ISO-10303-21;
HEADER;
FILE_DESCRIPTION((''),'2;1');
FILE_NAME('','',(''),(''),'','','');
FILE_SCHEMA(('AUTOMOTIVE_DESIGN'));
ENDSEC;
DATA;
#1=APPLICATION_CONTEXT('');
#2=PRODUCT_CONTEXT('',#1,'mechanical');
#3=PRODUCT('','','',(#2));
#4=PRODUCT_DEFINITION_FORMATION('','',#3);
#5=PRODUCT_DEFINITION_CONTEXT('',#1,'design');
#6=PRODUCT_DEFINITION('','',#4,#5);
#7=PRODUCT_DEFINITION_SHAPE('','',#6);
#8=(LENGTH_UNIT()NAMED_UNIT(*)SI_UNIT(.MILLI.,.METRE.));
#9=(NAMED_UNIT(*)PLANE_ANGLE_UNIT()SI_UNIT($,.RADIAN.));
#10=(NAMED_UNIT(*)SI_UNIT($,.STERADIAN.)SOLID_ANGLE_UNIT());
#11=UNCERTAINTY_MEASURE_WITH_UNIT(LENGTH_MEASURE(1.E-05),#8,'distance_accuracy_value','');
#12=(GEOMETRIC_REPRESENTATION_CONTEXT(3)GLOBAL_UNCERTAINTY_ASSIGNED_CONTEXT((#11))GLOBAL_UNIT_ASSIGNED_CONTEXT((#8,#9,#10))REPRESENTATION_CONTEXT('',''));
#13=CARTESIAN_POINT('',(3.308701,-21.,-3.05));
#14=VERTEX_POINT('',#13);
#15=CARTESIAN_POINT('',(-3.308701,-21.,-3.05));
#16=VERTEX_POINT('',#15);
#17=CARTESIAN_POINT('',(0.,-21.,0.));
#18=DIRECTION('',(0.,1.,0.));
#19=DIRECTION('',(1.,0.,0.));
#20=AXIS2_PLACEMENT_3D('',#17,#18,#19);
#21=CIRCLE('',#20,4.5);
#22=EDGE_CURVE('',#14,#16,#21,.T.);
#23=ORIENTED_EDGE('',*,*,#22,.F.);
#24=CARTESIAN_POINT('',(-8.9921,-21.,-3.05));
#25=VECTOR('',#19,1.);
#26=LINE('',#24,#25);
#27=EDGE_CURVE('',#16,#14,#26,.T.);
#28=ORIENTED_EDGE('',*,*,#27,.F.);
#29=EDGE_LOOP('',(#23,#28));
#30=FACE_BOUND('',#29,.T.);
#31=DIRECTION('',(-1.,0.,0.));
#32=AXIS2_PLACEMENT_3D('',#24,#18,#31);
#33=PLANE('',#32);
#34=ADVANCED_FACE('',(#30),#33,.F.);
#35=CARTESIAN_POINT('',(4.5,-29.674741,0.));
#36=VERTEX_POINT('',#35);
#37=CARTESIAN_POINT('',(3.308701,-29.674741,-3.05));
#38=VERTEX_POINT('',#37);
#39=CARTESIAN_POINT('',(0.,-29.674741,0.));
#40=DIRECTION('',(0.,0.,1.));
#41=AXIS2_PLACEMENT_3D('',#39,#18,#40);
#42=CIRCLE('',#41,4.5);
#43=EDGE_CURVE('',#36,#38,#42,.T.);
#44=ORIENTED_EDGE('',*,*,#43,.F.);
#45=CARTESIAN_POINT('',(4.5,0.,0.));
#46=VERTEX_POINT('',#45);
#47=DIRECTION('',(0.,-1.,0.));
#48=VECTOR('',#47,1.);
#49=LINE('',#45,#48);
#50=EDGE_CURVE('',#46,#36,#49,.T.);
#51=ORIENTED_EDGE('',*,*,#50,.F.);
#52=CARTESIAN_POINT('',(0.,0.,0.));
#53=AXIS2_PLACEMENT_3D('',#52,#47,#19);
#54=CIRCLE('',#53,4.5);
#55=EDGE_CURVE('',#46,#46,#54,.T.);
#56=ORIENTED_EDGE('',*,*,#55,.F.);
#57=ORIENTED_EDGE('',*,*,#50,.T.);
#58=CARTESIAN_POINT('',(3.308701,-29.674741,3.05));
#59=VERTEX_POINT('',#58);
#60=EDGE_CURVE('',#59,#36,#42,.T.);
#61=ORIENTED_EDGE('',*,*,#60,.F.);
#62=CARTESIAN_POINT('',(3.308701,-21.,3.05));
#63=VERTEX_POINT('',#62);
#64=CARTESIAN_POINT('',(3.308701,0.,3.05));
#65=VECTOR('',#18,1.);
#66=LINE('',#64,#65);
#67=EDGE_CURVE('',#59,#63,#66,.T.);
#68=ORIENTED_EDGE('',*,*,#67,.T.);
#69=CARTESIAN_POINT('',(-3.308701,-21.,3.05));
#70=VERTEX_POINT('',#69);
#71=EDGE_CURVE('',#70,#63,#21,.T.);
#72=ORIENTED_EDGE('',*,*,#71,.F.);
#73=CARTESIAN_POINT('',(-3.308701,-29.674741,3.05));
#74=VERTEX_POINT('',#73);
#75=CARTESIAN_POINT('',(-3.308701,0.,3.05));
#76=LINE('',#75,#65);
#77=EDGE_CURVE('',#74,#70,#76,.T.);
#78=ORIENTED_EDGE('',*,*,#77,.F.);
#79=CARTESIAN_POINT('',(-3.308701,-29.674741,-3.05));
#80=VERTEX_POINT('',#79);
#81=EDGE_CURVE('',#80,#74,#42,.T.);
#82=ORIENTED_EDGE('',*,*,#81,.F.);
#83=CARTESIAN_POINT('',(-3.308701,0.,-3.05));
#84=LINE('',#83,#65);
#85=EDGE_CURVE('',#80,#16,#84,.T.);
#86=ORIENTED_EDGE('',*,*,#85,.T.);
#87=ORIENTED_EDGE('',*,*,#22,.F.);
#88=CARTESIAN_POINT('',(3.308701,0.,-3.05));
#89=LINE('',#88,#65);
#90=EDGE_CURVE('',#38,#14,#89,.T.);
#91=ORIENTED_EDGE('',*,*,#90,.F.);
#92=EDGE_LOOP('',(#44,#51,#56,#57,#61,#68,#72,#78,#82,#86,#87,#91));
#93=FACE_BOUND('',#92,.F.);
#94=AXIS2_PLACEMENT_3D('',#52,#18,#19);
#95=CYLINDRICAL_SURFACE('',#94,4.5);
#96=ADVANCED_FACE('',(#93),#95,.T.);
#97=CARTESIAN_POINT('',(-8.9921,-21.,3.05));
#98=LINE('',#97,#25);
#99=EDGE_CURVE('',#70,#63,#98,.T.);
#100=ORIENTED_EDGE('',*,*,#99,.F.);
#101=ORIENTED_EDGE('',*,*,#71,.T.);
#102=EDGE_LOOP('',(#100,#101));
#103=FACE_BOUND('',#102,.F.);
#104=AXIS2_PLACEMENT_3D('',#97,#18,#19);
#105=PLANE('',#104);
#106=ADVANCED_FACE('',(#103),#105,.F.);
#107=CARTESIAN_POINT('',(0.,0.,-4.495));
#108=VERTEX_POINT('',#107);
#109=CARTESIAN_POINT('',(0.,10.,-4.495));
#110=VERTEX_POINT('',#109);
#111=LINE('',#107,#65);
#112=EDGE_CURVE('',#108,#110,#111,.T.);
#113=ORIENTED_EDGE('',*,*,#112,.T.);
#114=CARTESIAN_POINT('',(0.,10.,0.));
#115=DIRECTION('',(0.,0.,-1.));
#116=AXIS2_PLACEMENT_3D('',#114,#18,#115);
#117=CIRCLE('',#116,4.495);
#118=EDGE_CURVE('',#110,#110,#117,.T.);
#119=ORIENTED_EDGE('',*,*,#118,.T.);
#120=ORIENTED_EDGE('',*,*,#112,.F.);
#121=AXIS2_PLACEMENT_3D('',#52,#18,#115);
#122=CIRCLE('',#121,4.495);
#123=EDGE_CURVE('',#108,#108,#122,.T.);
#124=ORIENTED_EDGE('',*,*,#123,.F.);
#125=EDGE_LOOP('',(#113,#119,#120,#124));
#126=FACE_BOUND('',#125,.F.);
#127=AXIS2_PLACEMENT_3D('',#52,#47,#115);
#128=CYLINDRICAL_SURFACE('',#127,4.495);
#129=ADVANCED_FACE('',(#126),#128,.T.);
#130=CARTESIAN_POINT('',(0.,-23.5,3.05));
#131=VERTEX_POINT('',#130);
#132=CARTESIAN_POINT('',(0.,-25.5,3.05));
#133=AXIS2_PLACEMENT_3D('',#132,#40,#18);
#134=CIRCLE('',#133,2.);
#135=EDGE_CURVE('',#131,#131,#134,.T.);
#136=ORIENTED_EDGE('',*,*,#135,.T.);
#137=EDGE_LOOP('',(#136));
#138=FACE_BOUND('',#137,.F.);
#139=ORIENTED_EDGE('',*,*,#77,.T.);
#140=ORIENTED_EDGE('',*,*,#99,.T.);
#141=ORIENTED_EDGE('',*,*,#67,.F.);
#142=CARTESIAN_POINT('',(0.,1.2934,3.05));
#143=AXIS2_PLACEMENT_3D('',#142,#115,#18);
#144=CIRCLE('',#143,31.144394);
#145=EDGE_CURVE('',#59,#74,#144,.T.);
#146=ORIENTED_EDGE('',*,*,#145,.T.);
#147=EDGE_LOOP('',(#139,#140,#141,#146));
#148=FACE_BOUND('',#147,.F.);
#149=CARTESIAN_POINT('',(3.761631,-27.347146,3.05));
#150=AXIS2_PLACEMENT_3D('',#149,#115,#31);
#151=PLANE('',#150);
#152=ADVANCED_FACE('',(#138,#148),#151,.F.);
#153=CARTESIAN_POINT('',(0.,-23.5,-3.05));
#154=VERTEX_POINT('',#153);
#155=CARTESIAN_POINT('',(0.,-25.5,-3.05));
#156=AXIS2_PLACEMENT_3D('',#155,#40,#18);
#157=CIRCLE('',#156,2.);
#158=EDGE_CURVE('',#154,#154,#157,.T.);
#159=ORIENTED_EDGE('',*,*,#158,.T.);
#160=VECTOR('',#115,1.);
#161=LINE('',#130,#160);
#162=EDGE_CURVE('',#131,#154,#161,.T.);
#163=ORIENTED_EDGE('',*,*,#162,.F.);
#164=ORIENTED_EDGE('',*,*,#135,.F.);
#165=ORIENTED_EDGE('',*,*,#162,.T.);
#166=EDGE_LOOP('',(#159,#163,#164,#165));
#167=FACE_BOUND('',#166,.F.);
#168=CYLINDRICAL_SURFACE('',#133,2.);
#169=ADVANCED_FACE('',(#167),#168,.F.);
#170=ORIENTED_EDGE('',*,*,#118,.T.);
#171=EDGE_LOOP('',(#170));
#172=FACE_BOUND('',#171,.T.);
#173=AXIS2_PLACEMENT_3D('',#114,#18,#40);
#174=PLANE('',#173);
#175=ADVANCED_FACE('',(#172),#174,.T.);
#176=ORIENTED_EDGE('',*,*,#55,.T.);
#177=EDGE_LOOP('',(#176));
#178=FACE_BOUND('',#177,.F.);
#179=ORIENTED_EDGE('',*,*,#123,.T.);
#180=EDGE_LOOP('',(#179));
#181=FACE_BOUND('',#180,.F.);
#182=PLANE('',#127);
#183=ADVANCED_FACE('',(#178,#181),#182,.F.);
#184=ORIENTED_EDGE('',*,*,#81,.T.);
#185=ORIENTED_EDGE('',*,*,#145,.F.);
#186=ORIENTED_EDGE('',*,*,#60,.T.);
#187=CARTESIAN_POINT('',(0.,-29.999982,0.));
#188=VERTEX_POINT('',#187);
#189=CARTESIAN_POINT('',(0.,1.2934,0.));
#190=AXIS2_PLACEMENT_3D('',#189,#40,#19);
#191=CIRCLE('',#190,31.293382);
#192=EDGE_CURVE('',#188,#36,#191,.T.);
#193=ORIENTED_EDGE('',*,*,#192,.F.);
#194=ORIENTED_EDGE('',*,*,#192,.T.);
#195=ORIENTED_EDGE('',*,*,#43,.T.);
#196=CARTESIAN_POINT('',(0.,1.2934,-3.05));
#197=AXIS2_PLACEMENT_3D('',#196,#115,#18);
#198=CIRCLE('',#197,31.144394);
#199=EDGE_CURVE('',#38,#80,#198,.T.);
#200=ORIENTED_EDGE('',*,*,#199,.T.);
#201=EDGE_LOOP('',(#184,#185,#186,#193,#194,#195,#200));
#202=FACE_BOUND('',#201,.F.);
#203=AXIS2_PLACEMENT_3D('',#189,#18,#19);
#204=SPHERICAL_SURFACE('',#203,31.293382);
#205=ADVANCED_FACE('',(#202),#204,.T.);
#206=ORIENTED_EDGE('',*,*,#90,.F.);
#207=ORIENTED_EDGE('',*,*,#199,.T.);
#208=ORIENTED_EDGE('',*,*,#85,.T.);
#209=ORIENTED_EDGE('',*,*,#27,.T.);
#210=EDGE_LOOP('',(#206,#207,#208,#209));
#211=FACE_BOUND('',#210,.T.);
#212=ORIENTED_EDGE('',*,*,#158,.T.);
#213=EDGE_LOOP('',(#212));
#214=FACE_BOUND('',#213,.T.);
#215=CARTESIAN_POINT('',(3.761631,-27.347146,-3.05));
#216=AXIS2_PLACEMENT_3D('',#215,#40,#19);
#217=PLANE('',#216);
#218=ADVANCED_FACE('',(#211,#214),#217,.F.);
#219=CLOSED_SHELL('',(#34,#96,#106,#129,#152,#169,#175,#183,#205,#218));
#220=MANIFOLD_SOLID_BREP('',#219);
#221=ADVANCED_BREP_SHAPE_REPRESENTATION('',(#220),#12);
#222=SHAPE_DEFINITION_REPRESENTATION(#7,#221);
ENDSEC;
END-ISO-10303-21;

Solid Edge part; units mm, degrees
sketch "Sketch1" plane through (0, 0, 0) normal (0, -1, 0) x (1, 0, 0)
  circle A0 centre (0, 0) radius 4.5
  dimension "D1" = 9
extrude "Protrusion1" add sketch "Sketch1" along normal blind 30
sketch "Sketch2" plane through (0, 0, 3.05) normal (0, 0, 1) x (1, 0, 0)
  line L0 (-8.9921, -33.4091) -> (-8.9921, -21)
  line L1 (-8.9921, -21) -> (16.3275, -21)
  line L2 (16.3275, -21) -> (16.3275, -33.9732)
  line L3 (16.3275, -33.9732) -> (-8.9921, -33.4091)
  dimension "D1" = 9
extrude "Extrusionsausschnitt_1" cut sketch "Sketch2" along normal blind 50.5
mirror "Mirror1" about plane through (0, 0, 0) normal (0, 0, 1) of "Extrusionsausschnitt_1"
sketch "Sketch3" plane through (0, -25.5, 3.05) normal (0, 0, 1) x (0, 1, 0)
  circle A0 centre (0, 0) radius 2
  dimension "D1" = 4.5
extrude "Extrusionsausschnitt_2" cut sketch "Sketch3" against normal blind 11.5
sketch "Sketch4" plane through (0, 0, 0) normal (0, 0, 1) x (1, 0, 0)
  line L0 (4.661, -29.6509) -> (5.9893, -29.6509)
  arc A0 (0, -30) -> (4.661, -29.6509) centre (0, 1.2934) ccw
revolve "RevolvedCutout1" cut sketch "Sketch4" angle 360 about axis through (0, -30, 0) along (0, -1, 0) material side at (5.3252, -29.7009, 0)
sketch "Sketch5" plane through (0, 0, 0) normal (0, 1, 0) x (0, 0, -1)
  circle A0 centre (0, 0) radius 4.495
extrude "Protrusion2" add sketch "Sketch5" along normal blind 10
